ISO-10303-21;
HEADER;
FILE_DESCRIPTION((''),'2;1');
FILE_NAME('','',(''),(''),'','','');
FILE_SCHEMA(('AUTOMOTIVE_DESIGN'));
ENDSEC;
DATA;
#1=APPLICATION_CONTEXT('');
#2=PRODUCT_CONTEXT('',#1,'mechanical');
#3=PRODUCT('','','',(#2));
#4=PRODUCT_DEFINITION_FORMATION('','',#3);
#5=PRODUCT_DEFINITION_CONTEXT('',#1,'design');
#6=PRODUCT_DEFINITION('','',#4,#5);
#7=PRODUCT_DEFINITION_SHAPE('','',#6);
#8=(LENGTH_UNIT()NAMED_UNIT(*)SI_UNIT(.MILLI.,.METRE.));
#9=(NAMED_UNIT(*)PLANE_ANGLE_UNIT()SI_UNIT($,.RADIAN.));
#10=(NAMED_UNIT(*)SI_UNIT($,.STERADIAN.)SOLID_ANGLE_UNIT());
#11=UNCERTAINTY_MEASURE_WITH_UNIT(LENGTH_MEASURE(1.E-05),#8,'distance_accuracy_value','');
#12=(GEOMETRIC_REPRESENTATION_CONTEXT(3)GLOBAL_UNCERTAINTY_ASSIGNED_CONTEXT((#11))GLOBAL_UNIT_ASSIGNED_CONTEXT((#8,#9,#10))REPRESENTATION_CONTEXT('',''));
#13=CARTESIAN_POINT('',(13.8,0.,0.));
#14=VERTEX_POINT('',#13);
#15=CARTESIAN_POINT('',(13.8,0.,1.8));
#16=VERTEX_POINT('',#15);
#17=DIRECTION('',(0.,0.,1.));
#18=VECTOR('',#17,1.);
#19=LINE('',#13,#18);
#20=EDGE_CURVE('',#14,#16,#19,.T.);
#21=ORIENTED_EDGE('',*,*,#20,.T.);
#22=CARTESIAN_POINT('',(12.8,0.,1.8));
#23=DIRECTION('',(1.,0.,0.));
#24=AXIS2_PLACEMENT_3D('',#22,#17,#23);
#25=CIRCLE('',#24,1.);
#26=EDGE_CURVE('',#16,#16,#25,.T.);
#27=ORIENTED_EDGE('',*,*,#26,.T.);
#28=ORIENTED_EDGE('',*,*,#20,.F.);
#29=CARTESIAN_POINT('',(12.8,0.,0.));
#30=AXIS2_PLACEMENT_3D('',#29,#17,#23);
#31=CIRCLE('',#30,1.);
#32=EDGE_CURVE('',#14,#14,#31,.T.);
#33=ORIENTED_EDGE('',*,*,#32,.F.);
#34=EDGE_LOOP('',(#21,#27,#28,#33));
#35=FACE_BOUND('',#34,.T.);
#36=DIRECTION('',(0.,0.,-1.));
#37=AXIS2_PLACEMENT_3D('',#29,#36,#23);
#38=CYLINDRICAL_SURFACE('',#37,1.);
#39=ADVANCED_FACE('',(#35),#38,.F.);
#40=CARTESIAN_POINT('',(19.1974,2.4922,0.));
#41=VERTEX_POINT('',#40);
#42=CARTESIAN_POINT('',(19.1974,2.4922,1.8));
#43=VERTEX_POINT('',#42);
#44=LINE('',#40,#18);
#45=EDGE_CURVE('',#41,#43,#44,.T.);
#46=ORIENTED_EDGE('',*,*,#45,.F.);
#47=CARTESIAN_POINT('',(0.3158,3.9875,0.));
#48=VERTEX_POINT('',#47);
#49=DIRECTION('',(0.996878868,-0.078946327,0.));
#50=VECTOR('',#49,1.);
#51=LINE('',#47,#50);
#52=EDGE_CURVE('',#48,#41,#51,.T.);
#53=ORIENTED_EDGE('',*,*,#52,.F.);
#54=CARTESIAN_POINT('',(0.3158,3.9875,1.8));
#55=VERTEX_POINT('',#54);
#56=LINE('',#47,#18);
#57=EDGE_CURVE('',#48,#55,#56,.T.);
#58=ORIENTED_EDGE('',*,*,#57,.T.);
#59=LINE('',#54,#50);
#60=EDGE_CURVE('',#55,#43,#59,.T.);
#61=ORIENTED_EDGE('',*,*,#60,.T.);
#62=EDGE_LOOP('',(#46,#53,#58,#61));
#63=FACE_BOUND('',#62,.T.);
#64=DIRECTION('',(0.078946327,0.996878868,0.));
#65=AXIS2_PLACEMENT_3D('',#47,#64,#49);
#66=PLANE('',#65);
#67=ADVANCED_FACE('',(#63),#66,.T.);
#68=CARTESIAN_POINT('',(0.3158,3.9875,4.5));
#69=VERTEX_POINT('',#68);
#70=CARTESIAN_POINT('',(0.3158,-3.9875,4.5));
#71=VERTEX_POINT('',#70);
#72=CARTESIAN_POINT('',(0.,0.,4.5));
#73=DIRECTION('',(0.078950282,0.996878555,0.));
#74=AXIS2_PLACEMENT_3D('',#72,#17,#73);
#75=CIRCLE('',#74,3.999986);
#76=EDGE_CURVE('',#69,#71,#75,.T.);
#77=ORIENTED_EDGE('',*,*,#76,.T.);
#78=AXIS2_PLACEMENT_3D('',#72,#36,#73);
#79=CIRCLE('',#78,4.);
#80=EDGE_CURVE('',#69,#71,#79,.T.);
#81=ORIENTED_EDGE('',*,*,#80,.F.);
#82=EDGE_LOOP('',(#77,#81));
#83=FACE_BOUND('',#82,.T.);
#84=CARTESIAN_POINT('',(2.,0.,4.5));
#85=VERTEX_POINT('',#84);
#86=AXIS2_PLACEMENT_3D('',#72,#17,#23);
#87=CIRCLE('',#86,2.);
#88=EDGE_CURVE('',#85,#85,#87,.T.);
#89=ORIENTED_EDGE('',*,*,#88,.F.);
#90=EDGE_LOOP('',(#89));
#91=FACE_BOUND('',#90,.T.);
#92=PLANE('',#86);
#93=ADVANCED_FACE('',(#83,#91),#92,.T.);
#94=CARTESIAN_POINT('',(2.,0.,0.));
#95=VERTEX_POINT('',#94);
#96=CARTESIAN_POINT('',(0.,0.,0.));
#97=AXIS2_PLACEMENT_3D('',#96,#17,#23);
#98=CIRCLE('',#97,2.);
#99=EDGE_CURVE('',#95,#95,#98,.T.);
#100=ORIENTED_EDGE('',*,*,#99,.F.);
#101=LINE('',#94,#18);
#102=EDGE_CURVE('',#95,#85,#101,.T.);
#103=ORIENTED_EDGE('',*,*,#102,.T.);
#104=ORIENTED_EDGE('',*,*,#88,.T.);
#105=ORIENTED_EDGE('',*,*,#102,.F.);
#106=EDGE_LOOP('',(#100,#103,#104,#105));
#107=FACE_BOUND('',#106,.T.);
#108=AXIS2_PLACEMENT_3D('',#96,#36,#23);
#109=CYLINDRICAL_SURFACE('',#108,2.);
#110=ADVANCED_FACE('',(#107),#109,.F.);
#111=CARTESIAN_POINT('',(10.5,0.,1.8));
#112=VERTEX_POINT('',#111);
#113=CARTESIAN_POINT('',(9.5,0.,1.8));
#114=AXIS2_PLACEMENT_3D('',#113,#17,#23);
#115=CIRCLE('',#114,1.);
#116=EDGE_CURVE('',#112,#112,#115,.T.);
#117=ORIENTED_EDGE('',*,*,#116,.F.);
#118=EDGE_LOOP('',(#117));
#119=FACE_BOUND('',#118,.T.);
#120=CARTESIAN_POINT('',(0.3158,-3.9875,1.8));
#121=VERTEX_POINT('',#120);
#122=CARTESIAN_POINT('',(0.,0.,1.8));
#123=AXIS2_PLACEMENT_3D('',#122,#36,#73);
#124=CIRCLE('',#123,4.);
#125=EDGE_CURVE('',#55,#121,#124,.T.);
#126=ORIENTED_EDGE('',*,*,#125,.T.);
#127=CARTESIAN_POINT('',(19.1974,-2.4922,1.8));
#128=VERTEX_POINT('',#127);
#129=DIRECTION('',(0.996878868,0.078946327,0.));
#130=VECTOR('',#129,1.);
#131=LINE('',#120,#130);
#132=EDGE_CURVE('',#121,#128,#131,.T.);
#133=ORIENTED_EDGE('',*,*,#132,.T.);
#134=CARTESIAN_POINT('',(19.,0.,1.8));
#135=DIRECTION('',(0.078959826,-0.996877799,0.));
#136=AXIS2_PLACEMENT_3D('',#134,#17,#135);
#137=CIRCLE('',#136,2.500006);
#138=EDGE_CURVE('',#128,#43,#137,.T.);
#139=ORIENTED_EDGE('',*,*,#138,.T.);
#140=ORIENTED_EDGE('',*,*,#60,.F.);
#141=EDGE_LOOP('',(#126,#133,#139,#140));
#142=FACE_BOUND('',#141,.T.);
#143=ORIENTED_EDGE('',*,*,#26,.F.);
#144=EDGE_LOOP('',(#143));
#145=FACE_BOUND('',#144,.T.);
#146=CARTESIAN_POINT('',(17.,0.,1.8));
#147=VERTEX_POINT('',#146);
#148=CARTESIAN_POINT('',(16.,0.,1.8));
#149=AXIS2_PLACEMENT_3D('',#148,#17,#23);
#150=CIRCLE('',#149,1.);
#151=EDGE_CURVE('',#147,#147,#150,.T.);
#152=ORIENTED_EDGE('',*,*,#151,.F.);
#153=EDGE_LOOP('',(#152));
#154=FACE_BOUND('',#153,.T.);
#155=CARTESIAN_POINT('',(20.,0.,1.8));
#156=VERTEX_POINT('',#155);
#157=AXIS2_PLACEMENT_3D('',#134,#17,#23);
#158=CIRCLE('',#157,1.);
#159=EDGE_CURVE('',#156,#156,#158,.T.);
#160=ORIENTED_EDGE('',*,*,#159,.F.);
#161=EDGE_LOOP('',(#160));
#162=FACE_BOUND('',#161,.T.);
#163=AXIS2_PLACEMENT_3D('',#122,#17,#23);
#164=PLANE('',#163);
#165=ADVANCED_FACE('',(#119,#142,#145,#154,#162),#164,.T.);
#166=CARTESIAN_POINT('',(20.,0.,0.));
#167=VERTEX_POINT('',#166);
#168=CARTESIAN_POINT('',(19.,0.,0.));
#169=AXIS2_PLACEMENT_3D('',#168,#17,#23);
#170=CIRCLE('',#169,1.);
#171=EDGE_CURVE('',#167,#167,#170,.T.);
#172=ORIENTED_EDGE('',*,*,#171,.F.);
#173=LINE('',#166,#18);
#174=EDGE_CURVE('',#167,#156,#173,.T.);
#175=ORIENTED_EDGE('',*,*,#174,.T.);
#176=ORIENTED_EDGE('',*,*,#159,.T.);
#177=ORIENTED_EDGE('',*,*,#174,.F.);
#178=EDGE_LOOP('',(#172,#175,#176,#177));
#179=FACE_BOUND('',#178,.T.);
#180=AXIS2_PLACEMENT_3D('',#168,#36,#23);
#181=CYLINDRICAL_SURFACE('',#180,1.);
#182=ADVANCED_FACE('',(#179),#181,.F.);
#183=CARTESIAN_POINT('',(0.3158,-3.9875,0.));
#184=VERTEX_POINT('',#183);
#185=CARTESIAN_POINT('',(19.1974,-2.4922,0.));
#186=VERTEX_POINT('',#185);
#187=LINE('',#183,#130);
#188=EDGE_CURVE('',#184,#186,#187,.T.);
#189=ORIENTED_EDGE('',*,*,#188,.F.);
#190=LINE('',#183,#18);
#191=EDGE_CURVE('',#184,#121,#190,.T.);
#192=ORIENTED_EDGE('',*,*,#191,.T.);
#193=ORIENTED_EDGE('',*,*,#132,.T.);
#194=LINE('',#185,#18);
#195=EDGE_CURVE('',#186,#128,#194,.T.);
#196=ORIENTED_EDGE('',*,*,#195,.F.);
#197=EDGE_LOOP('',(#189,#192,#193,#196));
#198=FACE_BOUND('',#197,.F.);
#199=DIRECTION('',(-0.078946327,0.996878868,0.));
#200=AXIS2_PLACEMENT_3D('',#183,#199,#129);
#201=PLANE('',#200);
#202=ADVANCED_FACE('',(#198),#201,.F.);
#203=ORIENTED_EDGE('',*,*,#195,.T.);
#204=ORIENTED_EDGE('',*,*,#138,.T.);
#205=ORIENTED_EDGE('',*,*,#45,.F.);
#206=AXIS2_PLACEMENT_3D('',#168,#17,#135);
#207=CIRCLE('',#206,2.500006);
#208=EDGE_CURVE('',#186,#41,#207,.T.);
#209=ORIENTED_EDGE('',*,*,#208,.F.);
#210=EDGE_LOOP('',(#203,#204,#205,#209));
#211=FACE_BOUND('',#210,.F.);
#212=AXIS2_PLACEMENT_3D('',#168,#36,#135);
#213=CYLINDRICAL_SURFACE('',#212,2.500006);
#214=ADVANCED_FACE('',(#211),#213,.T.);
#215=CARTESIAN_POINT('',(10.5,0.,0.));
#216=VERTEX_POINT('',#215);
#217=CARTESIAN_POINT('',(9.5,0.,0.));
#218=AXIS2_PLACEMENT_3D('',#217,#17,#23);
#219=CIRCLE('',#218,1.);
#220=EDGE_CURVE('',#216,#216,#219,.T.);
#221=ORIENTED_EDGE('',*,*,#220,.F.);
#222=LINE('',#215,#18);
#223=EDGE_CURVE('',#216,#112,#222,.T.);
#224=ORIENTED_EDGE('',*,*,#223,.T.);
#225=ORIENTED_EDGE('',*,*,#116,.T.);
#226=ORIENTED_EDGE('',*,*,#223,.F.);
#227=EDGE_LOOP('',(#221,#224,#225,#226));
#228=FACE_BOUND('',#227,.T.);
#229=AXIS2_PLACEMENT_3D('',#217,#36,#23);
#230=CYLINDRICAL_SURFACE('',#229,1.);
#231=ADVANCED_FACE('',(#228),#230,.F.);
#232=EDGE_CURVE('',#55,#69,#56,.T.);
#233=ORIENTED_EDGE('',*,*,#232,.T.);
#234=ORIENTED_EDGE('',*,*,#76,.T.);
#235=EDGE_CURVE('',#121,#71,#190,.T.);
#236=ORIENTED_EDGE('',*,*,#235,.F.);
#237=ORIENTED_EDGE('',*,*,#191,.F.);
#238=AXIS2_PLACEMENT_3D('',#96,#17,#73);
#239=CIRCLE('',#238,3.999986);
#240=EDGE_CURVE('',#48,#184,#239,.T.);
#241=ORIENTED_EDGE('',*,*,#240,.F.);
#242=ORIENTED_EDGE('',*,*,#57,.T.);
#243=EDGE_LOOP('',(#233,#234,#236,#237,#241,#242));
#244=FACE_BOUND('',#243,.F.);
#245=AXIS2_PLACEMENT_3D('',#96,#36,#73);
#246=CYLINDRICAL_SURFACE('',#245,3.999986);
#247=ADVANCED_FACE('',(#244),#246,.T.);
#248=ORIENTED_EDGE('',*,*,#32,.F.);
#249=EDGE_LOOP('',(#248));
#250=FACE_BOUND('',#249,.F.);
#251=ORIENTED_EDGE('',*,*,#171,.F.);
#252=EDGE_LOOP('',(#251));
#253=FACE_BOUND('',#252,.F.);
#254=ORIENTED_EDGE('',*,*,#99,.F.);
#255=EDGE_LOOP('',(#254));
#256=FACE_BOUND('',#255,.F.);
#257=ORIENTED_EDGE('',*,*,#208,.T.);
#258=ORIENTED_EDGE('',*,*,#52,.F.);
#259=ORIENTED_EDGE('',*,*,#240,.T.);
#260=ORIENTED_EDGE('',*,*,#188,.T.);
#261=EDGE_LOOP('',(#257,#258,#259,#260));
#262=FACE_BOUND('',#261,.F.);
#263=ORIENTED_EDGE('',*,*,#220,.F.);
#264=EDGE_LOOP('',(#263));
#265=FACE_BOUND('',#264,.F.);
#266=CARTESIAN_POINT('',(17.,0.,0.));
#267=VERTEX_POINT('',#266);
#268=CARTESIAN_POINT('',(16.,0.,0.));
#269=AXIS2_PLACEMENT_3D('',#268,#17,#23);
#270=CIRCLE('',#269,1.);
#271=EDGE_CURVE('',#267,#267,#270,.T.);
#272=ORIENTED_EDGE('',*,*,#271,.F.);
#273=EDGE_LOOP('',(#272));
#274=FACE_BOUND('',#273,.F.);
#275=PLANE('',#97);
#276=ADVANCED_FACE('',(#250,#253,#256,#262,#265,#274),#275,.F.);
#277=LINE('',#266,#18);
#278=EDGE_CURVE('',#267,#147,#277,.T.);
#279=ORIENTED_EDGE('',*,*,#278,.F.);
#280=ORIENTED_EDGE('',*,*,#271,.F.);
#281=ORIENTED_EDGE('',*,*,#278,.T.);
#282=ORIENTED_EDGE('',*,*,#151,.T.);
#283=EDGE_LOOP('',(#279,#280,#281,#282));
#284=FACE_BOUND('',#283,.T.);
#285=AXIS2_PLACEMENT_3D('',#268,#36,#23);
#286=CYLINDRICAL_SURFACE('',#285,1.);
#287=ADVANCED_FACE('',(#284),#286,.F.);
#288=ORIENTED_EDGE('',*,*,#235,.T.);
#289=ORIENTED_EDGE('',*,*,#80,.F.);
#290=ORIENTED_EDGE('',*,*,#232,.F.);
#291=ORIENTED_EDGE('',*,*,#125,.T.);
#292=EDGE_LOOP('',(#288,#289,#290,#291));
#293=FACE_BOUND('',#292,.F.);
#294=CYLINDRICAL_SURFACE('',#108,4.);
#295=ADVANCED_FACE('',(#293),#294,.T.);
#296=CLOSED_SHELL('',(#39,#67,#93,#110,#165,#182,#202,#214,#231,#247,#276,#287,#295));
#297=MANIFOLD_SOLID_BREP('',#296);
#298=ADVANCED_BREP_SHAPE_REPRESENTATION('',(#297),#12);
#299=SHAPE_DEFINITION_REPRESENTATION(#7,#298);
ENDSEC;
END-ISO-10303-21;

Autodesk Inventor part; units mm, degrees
ref_plane "YZ Plane" through (0, 0, 0) normal (1, 0, 0) x (0, 1, 0)
ref_plane "XZ Plane" through (0, 0, 0) normal (0, 1, 0) x (-1, 0, 0)
ref_plane "XY Plane" through (0, 0, 0) normal (0, 0, 1) x (1, 0, 0)
sketch "Skizze1" plane through (0, 0, 0) normal (0, 0, 1) x (1, 0, 0)
  line L0 (0, 5.6) -> (0, -5.6) construction
  line L1 (-9.1, 0) -> (26.6, 0) construction
  circle A0 centre (0, 0) radius 2
  circle A1 centre (9.5, 0) radius 1
  circle A2 centre (16, 0) radius 1
  circle A3 centre (19, 0) radius 1
  arc A4 (19.1974, -2.4922) -> (19.1974, 2.4922) centre (19, 0) ccw
  arc A5 (0.3158, 3.9875) -> (0.3158, -3.9875) centre (0, 0) ccw
  line L2 (0.3158, 3.9875) -> (19.1974, 2.4922)
  line L3 (0.3158, -3.9875) -> (19.1974, -2.4922)
  circle A6 centre (12.8, 0) radius 1
  circle A7 centre (0, 0) radius 4
  point P0 (0.5263, 3.9652)
  point P1 (0.6579, -1.8887)
  point P2 (0.6579, 1.8887)
  dimension "d0" = 9.5
  dimension "d1" = 16
  dimension "d2" = 19
  dimension "d3" = 5
  dimension "d4" = 2
  dimension "d5" = 4
  dimension "d6" = 8
  dimension "d17" = 12.8
extrude "Extrusion1" add sketch "Skizze1" along normal blind 1.8
extrude "Extrusion2" add sketch "Skizze1" along normal blind 4.5 contours A5 A7
properties part number "Servo-Arm-20mm"
